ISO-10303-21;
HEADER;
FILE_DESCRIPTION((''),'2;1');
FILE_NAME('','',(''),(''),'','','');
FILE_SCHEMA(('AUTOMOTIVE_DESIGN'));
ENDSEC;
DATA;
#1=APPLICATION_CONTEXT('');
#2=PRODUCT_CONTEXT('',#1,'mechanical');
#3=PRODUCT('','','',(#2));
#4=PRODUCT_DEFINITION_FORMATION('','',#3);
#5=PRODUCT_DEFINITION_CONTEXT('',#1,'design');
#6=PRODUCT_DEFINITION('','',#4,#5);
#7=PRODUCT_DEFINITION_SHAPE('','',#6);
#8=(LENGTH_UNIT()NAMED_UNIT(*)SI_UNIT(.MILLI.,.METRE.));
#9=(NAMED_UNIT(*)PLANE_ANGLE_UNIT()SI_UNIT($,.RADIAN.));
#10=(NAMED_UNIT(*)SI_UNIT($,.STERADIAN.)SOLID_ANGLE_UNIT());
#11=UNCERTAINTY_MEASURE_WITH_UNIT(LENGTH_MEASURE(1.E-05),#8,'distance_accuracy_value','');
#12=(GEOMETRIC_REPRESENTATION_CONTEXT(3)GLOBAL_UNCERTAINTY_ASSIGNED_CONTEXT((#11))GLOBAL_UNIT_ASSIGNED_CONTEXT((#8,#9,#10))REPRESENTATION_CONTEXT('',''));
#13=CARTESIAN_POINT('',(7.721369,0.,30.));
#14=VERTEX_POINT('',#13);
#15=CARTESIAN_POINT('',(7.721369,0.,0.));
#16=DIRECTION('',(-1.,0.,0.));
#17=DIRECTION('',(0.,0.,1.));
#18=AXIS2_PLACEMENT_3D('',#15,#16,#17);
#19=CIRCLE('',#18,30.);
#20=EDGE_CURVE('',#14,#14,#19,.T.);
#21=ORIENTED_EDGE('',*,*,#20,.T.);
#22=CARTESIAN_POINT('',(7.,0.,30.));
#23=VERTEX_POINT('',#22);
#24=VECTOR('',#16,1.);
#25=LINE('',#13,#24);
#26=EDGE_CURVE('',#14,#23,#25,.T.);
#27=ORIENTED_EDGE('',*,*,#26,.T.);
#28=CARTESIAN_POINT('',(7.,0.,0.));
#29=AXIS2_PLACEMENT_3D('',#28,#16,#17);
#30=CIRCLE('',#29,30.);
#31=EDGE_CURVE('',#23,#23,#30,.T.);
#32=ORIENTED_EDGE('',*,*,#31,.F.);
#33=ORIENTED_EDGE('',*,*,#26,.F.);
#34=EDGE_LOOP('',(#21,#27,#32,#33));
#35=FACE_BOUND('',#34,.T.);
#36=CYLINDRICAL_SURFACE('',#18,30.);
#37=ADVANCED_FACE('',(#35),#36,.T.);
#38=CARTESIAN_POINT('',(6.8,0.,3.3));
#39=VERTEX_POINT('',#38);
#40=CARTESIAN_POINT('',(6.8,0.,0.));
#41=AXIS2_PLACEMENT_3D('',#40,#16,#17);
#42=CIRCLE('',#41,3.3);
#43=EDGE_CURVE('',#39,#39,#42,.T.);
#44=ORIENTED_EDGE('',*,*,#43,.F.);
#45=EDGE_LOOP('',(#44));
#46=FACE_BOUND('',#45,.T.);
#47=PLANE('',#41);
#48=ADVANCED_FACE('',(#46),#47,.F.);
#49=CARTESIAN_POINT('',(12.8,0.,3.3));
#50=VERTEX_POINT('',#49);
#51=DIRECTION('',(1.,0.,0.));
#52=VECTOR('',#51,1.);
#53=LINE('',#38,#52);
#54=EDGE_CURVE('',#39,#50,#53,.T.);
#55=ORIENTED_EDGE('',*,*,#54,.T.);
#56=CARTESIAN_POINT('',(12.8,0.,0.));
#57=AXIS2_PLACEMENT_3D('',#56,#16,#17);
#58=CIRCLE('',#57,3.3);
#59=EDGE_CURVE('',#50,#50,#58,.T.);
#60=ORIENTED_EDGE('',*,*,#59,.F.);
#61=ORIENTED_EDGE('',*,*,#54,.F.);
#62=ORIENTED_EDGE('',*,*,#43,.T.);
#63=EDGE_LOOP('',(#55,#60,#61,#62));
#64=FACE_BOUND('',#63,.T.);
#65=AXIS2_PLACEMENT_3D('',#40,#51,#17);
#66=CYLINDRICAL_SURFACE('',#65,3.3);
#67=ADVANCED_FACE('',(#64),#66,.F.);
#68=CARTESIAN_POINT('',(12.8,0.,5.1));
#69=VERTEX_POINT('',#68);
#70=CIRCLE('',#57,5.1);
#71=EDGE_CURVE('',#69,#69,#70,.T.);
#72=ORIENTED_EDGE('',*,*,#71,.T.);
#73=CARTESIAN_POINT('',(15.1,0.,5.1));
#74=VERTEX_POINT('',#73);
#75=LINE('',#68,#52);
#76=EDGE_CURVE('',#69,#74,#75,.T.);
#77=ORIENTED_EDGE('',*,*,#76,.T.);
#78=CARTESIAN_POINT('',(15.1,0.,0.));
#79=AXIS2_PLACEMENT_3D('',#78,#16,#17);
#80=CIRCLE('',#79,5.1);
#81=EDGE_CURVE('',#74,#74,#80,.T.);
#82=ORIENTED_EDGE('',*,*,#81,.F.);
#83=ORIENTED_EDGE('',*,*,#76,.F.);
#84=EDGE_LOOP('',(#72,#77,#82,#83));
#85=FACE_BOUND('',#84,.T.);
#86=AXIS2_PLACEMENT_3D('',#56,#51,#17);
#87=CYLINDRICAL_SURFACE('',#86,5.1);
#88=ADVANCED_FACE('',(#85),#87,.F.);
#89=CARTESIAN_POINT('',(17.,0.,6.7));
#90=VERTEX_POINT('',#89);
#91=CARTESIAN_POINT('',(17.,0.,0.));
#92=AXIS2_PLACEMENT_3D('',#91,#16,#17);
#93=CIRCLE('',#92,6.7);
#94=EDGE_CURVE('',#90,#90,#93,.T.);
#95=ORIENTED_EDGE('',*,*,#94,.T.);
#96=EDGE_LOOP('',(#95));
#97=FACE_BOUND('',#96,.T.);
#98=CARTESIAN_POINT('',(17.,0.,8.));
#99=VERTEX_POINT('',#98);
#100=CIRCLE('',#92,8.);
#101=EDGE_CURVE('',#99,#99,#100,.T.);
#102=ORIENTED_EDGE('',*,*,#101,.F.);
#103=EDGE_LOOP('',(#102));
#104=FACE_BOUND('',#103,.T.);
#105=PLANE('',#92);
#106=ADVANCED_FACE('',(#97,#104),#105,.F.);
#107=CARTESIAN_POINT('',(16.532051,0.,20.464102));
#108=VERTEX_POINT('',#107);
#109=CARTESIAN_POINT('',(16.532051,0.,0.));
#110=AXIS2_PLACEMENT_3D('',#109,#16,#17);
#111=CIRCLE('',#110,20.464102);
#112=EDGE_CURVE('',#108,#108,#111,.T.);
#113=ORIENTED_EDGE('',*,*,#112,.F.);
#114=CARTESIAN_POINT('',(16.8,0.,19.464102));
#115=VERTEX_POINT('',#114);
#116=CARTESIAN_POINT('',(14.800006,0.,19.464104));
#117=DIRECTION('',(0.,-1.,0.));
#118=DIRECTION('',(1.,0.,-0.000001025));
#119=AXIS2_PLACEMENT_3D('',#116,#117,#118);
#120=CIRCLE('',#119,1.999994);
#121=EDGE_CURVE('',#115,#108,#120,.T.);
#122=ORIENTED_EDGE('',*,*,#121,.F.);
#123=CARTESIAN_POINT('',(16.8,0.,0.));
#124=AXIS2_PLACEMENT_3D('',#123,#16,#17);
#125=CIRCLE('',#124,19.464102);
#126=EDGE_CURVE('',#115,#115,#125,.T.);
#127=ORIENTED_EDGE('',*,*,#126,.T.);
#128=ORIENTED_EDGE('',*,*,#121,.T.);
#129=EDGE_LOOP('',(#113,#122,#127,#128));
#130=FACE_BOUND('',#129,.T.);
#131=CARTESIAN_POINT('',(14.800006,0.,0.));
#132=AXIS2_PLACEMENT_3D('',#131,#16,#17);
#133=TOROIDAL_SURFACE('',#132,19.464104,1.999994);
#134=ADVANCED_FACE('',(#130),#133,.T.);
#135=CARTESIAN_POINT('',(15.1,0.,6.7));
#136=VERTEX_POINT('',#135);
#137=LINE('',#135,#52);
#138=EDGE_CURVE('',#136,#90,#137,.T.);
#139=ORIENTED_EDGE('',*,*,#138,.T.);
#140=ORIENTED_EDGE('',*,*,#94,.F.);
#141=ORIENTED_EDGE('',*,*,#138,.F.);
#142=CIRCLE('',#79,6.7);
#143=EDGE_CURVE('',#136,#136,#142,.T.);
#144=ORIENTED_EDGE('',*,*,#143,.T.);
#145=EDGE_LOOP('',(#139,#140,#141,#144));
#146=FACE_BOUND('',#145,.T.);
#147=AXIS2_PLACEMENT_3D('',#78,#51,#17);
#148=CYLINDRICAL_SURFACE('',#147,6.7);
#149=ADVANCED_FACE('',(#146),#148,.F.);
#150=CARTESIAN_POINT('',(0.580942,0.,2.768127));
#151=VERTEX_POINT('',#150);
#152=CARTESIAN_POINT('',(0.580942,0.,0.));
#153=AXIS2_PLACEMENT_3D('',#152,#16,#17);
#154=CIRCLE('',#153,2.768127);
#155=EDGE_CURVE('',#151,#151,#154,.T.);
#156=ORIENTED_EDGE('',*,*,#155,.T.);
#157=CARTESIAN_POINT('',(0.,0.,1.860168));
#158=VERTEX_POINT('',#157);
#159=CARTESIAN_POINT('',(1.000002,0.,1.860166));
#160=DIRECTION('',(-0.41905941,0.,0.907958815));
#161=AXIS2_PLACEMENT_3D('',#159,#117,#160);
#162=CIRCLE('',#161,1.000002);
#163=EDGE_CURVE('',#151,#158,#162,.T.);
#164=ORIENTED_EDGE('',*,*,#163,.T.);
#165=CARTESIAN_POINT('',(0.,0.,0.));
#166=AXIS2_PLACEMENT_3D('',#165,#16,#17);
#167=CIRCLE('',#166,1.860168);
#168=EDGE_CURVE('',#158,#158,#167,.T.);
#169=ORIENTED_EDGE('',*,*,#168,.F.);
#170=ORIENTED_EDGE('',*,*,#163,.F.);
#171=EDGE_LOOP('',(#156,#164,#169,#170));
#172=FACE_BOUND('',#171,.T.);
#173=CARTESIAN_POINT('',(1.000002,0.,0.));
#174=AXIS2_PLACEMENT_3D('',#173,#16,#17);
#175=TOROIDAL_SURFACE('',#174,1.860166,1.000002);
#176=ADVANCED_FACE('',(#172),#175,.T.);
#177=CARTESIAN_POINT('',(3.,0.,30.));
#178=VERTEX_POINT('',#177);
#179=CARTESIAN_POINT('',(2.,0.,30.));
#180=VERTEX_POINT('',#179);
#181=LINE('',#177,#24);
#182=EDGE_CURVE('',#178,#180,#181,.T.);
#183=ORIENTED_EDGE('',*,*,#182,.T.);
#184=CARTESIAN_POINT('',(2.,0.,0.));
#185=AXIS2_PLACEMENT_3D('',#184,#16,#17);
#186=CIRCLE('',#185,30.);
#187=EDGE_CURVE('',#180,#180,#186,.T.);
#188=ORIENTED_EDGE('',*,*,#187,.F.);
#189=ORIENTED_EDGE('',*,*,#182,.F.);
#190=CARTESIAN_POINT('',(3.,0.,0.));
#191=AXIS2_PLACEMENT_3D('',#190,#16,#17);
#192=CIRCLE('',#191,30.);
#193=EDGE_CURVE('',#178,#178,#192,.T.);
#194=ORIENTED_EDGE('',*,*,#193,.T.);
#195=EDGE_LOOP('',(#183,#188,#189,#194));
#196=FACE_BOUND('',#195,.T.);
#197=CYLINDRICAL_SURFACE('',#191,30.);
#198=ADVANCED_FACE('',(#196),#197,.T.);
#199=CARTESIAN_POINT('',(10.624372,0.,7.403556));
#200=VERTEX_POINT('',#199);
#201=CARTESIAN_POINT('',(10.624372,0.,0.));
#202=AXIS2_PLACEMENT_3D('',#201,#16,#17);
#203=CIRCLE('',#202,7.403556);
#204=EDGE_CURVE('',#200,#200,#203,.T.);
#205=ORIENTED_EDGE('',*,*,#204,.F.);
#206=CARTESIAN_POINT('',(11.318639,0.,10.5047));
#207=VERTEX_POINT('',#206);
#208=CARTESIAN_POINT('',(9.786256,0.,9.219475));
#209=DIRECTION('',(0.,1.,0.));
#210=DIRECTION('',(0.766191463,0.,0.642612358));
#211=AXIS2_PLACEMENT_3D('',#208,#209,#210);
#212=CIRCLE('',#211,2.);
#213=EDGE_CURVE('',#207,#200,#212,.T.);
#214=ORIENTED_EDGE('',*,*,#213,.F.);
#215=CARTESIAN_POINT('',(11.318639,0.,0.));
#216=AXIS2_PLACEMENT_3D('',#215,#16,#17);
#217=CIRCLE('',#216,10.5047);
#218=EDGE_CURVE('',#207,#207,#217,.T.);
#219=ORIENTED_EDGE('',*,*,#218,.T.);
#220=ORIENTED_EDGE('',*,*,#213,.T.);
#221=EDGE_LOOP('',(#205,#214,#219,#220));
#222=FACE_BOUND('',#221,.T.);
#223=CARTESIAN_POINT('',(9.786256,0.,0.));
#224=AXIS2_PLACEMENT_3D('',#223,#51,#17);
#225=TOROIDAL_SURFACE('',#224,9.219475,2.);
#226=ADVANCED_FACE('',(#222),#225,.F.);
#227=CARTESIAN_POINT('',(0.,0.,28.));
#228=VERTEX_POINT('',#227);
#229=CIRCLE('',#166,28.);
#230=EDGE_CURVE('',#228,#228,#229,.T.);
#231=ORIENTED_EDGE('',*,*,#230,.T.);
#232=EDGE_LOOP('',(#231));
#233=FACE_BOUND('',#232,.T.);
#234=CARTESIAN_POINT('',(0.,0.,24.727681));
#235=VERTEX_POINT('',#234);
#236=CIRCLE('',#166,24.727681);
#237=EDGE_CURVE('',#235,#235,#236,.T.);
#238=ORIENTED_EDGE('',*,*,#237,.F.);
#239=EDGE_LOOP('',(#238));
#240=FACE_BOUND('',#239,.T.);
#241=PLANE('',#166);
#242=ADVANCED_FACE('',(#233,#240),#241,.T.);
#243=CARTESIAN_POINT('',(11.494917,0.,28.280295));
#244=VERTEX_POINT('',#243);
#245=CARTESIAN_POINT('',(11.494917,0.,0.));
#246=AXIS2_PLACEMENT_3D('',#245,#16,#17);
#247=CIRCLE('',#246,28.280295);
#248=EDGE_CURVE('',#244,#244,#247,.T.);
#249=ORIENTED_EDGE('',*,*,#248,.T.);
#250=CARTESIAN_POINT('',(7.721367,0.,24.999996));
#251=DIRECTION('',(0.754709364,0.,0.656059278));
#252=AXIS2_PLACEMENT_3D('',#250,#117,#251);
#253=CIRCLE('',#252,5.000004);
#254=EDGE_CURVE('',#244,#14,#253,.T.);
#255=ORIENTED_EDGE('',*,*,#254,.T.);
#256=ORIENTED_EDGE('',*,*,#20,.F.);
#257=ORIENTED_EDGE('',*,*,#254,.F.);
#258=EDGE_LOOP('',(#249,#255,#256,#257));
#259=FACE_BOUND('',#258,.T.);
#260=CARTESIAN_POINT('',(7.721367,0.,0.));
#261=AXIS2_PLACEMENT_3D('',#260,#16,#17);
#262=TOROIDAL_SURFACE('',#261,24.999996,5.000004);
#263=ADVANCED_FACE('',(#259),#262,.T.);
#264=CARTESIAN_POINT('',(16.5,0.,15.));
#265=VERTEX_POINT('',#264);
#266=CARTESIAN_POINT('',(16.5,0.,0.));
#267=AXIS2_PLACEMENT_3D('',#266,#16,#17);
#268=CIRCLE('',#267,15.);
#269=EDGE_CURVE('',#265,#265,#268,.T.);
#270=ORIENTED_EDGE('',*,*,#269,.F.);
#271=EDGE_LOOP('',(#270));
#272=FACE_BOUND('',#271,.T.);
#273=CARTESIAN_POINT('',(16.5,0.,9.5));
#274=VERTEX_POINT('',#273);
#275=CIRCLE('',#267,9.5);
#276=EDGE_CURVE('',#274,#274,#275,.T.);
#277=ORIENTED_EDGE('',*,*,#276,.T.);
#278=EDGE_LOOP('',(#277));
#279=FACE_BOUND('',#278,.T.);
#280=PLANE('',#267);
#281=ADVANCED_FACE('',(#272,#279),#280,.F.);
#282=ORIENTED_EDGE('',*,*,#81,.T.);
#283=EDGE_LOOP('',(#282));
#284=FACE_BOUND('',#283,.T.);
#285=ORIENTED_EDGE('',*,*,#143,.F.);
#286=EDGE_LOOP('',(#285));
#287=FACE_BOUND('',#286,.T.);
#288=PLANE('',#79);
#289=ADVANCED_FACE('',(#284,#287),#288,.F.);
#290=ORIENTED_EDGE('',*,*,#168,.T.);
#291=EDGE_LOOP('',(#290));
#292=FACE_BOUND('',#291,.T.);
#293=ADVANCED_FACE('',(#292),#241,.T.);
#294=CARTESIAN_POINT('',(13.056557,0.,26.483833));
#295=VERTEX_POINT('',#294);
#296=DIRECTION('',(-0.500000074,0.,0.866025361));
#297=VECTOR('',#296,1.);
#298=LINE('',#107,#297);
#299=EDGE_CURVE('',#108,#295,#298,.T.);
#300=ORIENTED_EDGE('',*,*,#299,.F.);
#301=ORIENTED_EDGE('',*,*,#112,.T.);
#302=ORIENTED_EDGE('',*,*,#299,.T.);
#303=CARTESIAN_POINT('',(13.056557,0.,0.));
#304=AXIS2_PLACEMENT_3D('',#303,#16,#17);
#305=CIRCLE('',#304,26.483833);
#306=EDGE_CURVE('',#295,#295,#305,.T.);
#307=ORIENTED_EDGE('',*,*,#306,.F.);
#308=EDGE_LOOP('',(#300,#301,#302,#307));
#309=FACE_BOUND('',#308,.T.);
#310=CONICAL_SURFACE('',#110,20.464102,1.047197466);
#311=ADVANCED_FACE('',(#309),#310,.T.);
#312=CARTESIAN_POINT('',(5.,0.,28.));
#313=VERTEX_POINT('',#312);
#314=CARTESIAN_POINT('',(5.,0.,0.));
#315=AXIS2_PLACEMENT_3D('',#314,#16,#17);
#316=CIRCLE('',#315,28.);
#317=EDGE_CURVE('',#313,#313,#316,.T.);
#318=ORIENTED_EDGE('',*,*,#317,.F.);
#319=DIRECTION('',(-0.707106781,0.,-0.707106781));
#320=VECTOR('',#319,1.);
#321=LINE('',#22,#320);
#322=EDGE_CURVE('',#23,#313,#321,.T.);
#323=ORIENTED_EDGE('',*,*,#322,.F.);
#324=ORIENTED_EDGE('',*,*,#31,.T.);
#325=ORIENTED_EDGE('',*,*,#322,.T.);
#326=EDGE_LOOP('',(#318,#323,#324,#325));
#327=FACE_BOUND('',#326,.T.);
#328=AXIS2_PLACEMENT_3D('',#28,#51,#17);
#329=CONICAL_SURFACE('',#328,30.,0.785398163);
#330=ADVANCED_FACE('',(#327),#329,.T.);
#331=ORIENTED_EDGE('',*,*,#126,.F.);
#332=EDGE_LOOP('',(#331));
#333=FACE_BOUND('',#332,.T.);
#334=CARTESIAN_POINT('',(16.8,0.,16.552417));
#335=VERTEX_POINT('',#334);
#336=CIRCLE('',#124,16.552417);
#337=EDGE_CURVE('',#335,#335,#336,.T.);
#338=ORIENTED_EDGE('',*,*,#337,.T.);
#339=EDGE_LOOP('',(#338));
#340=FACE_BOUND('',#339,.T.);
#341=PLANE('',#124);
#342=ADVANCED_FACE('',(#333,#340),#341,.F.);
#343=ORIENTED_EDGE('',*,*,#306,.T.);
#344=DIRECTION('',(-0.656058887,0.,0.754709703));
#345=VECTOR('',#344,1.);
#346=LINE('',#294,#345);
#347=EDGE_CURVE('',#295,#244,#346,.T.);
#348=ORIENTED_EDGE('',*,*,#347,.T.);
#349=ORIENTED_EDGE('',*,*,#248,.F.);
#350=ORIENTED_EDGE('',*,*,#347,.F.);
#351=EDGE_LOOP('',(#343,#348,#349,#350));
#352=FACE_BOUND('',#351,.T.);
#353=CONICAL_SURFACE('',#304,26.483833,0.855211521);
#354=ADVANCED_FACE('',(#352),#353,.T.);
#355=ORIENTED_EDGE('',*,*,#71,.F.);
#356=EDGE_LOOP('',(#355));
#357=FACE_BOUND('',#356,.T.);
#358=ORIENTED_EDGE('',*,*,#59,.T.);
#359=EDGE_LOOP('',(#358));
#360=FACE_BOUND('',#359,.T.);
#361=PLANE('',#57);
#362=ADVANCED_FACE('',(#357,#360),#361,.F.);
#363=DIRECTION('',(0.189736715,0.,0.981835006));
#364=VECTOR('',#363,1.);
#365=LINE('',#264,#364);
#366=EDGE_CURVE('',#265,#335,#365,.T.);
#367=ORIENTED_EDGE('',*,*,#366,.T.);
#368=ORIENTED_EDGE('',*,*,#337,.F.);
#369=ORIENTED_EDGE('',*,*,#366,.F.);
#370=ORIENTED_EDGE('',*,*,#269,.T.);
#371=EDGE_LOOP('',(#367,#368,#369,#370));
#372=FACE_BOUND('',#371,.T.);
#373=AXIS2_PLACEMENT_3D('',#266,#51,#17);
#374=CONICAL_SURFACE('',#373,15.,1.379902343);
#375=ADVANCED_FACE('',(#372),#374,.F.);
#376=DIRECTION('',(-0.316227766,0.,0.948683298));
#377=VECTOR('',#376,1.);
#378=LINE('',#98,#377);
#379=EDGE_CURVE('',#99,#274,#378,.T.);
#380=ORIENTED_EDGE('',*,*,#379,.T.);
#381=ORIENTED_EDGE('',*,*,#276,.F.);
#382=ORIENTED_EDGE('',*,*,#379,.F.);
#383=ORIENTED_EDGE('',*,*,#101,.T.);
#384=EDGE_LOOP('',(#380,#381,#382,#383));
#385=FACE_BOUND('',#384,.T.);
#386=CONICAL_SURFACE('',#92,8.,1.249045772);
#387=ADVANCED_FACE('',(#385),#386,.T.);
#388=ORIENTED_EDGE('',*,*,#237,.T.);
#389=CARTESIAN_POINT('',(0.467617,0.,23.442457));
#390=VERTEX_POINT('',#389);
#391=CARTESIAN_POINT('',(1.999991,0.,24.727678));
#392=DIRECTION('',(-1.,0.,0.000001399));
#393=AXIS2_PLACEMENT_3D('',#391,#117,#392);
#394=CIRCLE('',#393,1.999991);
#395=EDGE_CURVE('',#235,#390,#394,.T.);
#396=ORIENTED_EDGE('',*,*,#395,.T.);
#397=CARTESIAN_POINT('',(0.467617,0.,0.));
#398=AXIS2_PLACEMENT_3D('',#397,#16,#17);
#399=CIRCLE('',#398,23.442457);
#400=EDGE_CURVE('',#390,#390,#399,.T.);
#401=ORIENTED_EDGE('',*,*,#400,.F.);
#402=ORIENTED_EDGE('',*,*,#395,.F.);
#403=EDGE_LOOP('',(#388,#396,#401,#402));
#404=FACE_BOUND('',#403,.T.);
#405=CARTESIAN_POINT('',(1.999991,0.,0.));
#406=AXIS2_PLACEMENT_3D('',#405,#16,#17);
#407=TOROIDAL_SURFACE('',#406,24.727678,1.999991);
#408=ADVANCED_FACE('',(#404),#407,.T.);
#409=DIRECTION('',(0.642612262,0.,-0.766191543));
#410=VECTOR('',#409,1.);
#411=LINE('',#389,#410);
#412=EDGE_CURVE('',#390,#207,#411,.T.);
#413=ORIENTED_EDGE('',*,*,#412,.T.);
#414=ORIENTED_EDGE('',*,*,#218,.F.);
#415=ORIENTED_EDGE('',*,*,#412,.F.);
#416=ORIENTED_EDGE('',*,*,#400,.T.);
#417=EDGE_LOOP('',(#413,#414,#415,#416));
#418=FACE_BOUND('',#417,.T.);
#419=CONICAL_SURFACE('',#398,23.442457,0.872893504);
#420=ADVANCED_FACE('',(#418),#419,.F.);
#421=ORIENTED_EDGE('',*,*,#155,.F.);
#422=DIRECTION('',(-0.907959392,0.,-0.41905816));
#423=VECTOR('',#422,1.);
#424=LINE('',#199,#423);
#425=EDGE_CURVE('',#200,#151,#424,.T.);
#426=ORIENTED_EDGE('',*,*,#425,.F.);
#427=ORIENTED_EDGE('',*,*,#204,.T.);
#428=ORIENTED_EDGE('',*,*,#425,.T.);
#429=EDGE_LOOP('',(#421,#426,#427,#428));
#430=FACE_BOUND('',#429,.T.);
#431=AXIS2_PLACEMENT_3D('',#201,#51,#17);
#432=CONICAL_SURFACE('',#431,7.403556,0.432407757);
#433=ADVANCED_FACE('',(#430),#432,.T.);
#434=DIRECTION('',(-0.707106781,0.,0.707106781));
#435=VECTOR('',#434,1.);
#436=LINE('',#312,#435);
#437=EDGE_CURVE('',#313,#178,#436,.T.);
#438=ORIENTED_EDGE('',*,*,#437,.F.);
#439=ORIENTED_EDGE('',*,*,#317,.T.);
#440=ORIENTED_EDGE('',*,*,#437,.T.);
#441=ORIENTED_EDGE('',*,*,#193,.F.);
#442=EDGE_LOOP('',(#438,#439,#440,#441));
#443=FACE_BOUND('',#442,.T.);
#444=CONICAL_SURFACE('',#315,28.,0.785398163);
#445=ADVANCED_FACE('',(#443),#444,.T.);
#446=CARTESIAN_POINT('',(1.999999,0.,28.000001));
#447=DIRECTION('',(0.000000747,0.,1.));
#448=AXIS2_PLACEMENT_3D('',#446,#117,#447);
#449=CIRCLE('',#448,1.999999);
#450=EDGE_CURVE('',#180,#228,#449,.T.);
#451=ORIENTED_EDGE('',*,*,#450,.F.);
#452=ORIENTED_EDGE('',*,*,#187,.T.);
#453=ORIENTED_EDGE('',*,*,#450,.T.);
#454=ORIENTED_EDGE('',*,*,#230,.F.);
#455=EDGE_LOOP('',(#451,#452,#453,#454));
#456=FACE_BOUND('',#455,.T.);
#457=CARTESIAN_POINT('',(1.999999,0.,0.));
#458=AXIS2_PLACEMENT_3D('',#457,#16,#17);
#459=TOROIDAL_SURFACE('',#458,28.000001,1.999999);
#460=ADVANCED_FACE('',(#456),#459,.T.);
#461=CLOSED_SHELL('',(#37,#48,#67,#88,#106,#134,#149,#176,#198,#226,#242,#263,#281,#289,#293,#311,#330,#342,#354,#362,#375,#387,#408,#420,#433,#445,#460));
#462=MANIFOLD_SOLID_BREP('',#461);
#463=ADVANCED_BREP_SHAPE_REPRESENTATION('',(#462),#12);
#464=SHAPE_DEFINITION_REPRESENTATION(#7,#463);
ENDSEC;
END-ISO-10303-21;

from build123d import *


with BuildPart() as f1:
    # F0 (on Front) → F1 (revolve)
    with BuildSketch(Plane.XZ):
        with BuildLine():
            Line((3, 30), (2, 30))
            ThreePointArc((2, 30), (0.585786, 29.414214), (0, 28))
            Line((0, 28), (0, 24.727681))
            ThreePointArc((0, 24.727681), (0.120536, 24.043856), (0.467617, 23.442457))
            Line((0.467617, 23.442457), (11.318639, 10.5047))
            ThreePointArc((11.318639, 10.5047), (11.737945, 8.782542), (10.624372, 7.403556))
            Line((10.624372, 7.403556), (0.580942, 2.768127))
            ThreePointArc((0.580942, 2.768127), (0.157665, 2.399121), (0, 1.860168))
            Line((0, 1.860168), (0, 0))
            Line((0, 0), (6.8, 0))
            Line((6.8, 0), (6.8, 3.3))
            Line((6.8, 3.3), (12.8, 3.3))
            Line((12.8, 3.3), (12.8, 5.1))
            Line((12.8, 5.1), (15.1, 5.1))
            Line((15.1, 5.1), (15.1, 6.7))
            Line((15.1, 6.7), (17, 6.7))
            Line((17, 6.7), (17, 8))
            Line((17, 8), (16.5, 9.5))
            Line((16.5, 9.5), (16.5, 15))
            Line((16.5, 15), (16.8, 16.552417))
            Line((16.8, 16.552417), (16.8, 19.464102))
            ThreePointArc((16.8, 19.464102), (16.731852, 19.98174), (16.532051, 20.464102))
            Line((16.532051, 20.464102), (13.056557, 26.483833))
            Line((13.056557, 26.483833), (11.494917, 28.280295))
            ThreePointArc((11.494917, 28.280295), (9.794835, 29.549806), (7.721369, 30))
            Line((7.721369, 30), (7, 30))
            Line((7, 30), (5, 28))
            Line((5, 28), (3, 30))
        make_face()
    revolve(axis=Axis((3.4, 0, 0), (-1, 0, 0)))


solid = f1.part
